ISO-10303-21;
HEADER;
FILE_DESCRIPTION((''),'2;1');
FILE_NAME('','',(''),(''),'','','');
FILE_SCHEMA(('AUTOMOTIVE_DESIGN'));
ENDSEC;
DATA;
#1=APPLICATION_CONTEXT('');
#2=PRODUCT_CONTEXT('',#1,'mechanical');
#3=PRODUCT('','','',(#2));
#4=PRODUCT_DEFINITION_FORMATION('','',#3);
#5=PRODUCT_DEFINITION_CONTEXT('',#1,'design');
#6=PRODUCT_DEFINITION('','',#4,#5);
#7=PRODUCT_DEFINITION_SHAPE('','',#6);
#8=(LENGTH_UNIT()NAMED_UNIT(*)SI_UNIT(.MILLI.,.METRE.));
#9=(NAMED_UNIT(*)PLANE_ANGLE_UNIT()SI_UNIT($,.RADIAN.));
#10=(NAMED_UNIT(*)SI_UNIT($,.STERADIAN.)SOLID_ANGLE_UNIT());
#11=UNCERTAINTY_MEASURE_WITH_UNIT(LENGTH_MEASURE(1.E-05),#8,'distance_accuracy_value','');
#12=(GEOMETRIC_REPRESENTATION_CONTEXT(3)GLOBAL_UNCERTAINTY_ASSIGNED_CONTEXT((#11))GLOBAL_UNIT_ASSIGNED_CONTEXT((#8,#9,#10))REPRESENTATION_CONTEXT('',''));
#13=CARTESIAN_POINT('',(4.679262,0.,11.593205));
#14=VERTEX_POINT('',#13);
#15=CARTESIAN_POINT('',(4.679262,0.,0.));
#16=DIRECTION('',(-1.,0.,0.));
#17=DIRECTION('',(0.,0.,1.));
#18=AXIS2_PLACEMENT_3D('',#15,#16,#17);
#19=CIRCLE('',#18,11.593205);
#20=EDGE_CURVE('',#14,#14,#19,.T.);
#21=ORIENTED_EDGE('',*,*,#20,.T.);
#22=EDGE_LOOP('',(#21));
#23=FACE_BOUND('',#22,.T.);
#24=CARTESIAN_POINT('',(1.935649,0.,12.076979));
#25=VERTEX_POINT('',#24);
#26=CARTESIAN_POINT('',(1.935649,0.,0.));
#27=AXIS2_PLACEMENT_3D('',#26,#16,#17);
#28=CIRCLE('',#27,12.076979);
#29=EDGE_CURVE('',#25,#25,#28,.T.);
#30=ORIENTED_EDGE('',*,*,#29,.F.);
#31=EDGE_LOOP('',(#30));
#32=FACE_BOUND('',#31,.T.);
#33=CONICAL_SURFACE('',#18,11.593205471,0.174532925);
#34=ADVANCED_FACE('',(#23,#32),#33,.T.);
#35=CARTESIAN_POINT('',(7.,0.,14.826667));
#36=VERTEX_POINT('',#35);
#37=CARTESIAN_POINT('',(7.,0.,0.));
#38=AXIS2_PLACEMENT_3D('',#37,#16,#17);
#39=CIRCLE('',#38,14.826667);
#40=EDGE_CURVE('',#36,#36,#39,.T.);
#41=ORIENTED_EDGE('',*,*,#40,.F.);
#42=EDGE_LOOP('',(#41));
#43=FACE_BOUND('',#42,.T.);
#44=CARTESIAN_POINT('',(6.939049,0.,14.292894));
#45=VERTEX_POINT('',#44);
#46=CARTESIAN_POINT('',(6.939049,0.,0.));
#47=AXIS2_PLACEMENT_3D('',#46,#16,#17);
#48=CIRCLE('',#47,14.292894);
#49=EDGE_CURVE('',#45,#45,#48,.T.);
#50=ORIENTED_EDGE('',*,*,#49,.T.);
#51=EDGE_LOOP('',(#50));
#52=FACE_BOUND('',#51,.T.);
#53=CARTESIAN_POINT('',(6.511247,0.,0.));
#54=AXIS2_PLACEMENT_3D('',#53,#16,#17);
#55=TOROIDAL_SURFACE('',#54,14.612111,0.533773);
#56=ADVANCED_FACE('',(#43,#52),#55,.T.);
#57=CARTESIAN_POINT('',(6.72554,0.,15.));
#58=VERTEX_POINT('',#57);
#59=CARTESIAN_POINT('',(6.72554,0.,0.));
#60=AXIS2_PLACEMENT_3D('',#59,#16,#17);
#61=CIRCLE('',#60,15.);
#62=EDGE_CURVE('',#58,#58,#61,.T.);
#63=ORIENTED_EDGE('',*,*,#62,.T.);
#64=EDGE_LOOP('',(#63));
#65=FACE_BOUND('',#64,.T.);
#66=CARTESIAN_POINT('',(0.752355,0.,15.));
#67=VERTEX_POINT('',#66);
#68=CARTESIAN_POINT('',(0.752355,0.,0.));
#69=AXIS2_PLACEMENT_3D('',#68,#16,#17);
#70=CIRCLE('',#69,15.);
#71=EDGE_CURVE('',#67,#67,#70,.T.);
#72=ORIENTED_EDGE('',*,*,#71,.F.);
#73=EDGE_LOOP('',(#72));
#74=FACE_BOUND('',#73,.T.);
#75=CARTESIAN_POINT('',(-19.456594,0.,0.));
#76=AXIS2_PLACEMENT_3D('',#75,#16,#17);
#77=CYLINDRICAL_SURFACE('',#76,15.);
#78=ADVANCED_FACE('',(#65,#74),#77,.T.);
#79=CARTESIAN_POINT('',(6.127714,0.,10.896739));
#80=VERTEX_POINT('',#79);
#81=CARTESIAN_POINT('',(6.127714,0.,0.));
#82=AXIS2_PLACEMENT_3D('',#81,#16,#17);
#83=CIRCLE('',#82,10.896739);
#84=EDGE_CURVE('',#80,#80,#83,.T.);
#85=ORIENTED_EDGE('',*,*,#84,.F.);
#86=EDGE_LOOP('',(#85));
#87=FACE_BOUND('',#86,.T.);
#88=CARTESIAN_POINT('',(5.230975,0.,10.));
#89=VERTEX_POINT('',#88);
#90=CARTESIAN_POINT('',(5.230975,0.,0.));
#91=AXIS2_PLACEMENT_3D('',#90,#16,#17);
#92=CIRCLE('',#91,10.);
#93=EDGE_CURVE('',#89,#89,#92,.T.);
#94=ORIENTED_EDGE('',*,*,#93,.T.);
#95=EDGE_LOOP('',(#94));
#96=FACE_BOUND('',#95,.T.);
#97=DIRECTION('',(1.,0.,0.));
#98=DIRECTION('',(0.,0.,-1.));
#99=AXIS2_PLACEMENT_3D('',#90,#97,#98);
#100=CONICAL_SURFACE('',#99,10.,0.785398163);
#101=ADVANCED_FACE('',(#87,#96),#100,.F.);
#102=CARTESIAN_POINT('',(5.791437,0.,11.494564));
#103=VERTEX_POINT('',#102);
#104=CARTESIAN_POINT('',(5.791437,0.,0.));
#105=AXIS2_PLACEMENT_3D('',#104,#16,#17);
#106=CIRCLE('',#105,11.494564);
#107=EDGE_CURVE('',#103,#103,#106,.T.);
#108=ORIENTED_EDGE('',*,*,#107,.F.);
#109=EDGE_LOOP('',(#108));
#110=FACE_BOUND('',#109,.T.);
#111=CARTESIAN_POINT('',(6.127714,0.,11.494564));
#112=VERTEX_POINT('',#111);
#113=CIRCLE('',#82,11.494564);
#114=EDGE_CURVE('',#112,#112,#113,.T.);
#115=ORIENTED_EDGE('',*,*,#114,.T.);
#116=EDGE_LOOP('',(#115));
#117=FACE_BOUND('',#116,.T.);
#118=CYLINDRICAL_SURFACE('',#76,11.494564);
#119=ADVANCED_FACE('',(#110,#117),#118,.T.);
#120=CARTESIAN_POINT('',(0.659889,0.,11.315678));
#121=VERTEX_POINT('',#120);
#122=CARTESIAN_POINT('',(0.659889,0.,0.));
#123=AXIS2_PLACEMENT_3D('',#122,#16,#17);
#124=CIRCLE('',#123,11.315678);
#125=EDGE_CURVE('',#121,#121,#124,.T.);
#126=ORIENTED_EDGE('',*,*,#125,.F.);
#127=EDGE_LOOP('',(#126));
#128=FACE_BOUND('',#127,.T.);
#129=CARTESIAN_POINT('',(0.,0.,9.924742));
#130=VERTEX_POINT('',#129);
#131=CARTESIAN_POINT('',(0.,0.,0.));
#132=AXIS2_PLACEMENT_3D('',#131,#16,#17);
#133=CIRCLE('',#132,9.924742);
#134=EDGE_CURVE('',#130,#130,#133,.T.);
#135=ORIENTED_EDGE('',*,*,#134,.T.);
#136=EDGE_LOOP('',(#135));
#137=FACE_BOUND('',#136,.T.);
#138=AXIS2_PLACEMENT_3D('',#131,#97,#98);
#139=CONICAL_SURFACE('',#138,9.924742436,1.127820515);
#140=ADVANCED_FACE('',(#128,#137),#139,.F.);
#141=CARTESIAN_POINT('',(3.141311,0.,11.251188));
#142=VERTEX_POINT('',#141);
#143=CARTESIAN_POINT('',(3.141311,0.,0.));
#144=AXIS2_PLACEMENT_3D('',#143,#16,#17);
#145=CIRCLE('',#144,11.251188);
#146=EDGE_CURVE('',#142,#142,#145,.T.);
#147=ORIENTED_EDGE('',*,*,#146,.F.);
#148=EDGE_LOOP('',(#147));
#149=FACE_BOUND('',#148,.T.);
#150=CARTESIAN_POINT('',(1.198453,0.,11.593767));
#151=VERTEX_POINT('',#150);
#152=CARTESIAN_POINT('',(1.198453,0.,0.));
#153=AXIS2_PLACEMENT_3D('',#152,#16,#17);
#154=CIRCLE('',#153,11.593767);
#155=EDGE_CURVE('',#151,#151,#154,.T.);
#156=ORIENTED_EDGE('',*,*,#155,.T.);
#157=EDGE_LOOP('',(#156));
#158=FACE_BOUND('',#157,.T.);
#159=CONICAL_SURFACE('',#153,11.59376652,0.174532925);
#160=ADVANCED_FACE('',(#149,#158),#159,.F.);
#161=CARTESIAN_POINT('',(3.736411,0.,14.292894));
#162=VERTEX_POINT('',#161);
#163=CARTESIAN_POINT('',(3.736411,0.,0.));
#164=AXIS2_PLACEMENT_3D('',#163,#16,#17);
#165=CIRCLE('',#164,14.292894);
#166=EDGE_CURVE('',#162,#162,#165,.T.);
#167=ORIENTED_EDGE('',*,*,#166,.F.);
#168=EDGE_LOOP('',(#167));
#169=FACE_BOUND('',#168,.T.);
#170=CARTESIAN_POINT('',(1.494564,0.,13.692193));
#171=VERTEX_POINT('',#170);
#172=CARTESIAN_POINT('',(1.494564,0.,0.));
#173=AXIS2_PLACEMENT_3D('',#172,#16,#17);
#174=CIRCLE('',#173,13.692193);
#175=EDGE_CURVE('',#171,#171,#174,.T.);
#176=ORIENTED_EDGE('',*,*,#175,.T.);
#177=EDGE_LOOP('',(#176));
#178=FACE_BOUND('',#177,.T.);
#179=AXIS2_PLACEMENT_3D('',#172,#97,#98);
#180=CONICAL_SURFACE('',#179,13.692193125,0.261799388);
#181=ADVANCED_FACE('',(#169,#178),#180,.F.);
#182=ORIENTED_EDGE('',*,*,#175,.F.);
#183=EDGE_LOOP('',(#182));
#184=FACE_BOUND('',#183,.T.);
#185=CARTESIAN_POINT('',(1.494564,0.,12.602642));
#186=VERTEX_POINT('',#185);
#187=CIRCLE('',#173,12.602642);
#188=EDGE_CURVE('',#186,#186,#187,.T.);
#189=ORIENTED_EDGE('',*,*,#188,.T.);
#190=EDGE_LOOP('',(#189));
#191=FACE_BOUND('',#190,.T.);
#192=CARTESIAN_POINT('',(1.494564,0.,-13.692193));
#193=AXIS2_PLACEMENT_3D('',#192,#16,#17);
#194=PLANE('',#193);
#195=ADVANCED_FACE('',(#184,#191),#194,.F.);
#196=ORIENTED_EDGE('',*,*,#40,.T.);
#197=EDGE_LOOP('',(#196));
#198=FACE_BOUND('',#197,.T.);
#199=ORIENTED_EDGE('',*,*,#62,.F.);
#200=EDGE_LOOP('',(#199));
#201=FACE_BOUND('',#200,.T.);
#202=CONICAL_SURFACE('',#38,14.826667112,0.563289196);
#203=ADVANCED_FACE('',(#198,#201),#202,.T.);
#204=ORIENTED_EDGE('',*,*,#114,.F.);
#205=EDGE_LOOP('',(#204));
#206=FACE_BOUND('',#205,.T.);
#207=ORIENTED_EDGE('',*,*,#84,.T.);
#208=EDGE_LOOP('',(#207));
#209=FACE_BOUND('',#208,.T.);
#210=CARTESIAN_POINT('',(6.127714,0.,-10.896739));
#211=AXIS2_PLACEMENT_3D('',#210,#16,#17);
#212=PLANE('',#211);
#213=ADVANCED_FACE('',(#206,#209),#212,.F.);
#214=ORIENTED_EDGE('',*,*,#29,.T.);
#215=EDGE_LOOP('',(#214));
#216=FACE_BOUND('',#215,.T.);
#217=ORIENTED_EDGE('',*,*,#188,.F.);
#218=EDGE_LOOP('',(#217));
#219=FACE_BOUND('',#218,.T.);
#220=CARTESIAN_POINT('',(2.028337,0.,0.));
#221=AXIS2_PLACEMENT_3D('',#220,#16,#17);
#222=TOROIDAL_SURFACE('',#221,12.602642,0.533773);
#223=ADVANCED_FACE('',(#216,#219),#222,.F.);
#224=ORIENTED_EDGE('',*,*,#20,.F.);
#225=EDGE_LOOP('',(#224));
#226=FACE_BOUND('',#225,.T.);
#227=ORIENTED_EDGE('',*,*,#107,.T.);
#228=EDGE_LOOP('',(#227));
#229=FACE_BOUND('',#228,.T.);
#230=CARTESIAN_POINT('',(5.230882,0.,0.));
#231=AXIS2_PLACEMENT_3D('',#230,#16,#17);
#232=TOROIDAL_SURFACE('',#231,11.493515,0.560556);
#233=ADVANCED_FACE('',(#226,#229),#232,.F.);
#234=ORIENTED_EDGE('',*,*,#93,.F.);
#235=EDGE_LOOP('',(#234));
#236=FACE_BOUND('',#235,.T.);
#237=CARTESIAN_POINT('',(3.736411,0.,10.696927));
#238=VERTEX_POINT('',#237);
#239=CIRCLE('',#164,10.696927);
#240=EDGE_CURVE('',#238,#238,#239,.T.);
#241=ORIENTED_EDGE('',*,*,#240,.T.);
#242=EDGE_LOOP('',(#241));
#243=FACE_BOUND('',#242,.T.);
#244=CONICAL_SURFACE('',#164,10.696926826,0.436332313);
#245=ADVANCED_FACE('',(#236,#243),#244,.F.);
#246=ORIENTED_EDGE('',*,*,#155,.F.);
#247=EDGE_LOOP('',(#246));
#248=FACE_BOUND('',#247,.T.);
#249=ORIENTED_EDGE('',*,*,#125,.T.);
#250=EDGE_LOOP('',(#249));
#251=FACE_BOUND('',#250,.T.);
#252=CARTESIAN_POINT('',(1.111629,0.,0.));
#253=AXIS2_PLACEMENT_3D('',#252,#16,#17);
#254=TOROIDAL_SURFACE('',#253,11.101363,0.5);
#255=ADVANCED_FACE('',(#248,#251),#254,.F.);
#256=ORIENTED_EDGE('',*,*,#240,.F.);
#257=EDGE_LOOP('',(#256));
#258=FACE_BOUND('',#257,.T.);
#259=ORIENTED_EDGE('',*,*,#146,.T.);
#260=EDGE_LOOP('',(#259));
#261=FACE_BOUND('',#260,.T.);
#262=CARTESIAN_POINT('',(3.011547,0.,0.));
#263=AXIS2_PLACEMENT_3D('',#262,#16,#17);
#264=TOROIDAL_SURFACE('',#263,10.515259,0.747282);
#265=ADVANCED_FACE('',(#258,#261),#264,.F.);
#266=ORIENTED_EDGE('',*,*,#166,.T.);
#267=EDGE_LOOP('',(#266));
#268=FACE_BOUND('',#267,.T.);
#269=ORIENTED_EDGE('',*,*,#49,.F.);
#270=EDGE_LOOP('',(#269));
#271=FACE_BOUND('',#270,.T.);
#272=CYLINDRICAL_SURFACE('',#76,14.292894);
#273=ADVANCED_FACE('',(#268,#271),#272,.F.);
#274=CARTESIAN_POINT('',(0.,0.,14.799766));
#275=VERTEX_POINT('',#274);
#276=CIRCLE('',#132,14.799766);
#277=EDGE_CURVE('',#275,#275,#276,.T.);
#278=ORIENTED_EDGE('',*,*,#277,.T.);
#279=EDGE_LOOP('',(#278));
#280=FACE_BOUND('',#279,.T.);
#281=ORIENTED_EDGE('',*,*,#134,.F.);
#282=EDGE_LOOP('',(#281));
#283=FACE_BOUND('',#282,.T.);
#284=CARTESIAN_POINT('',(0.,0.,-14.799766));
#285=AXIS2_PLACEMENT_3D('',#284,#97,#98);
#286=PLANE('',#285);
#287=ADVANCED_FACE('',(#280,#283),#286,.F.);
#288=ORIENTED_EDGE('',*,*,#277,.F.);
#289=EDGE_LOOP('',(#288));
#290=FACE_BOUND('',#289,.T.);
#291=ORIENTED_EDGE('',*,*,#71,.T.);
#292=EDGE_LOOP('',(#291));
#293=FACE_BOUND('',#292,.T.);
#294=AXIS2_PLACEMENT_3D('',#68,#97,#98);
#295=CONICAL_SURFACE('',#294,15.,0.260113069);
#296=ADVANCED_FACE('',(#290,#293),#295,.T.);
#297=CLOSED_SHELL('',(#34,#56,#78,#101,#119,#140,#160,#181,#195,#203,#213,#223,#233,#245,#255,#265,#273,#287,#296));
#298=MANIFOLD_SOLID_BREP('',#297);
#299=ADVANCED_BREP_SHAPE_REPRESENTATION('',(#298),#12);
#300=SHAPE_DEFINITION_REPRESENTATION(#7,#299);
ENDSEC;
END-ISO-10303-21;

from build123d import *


with BuildPart() as part:
    # Skica1 → Rotovat1 (revolve)
    with BuildSketch(Plane(origin=(0, 0, 0), x_dir=(1, 0, 0), z_dir=(0, 1, 0)), mode=Mode.PRIVATE) as rotovat1_sk:
        with BuildLine():
            Line((0.752354754, 15), (0, 14.799766338))
            Line((0, 14.799766338), (0, 12.252974848))
            Line((0, 12.252974848), (0, 9.924742436))
            Line((0, 9.924742436), (0.659888848, 11.315677616))
            ThreePointArc((0.659888848, 11.315677616), (0.882229098, 11.545632518), (1.198453009, 11.59376652))
            Line((1.198453009, 11.59376652), (3.141311462, 11.251188155))
            ThreePointArc((3.141311462, 11.251188155), (3.520859186, 11.062097088), (3.736411004, 10.696926826))
            Line((3.736411004, 10.696926826), (5.230975406, 10))
            Line((5.230975406, 10), (6.127714047, 10.896738641))
            Line((6.127714047, 10.896738641), (6.127714047, 11.494564402))
            Line((6.127714047, 11.494564402), (5.791437057, 11.494564402))
            ThreePointArc((5.791437057, 11.494564402), (5.181359836, 10.935150578), (4.679262436, 11.593205471))
            Line((4.679262436, 11.593205471), (1.935648693, 12.076978598))
            ThreePointArc((1.935648693, 12.076978598), (1.619443561, 12.259539716), (1.494564402, 12.602642387))
            Line((1.494564402, 12.602642387), (1.494564402, 13.692193125))
            Line((1.494564402, 13.692193125), (3.736411004, 14.292894111))
            Line((3.736411004, 14.292894111), (6.939049008, 14.292894111))
            ThreePointArc((6.939049008, 14.292894111), (7.04157399, 14.551553355), (7, 14.826667112))
            Line((7, 14.826667112), (6.725539808, 15))
            Line((6.725539808, 15), (0.752354754, 15))
        make_face()
    revolve(rotovat1_sk.sketch.rotate(Axis((-19.456594072, 0, 0), (1, 0, 0)), 180), axis=Axis((-19.456594072, 0, 0), (1, 0, 0)))


solid = part.part
